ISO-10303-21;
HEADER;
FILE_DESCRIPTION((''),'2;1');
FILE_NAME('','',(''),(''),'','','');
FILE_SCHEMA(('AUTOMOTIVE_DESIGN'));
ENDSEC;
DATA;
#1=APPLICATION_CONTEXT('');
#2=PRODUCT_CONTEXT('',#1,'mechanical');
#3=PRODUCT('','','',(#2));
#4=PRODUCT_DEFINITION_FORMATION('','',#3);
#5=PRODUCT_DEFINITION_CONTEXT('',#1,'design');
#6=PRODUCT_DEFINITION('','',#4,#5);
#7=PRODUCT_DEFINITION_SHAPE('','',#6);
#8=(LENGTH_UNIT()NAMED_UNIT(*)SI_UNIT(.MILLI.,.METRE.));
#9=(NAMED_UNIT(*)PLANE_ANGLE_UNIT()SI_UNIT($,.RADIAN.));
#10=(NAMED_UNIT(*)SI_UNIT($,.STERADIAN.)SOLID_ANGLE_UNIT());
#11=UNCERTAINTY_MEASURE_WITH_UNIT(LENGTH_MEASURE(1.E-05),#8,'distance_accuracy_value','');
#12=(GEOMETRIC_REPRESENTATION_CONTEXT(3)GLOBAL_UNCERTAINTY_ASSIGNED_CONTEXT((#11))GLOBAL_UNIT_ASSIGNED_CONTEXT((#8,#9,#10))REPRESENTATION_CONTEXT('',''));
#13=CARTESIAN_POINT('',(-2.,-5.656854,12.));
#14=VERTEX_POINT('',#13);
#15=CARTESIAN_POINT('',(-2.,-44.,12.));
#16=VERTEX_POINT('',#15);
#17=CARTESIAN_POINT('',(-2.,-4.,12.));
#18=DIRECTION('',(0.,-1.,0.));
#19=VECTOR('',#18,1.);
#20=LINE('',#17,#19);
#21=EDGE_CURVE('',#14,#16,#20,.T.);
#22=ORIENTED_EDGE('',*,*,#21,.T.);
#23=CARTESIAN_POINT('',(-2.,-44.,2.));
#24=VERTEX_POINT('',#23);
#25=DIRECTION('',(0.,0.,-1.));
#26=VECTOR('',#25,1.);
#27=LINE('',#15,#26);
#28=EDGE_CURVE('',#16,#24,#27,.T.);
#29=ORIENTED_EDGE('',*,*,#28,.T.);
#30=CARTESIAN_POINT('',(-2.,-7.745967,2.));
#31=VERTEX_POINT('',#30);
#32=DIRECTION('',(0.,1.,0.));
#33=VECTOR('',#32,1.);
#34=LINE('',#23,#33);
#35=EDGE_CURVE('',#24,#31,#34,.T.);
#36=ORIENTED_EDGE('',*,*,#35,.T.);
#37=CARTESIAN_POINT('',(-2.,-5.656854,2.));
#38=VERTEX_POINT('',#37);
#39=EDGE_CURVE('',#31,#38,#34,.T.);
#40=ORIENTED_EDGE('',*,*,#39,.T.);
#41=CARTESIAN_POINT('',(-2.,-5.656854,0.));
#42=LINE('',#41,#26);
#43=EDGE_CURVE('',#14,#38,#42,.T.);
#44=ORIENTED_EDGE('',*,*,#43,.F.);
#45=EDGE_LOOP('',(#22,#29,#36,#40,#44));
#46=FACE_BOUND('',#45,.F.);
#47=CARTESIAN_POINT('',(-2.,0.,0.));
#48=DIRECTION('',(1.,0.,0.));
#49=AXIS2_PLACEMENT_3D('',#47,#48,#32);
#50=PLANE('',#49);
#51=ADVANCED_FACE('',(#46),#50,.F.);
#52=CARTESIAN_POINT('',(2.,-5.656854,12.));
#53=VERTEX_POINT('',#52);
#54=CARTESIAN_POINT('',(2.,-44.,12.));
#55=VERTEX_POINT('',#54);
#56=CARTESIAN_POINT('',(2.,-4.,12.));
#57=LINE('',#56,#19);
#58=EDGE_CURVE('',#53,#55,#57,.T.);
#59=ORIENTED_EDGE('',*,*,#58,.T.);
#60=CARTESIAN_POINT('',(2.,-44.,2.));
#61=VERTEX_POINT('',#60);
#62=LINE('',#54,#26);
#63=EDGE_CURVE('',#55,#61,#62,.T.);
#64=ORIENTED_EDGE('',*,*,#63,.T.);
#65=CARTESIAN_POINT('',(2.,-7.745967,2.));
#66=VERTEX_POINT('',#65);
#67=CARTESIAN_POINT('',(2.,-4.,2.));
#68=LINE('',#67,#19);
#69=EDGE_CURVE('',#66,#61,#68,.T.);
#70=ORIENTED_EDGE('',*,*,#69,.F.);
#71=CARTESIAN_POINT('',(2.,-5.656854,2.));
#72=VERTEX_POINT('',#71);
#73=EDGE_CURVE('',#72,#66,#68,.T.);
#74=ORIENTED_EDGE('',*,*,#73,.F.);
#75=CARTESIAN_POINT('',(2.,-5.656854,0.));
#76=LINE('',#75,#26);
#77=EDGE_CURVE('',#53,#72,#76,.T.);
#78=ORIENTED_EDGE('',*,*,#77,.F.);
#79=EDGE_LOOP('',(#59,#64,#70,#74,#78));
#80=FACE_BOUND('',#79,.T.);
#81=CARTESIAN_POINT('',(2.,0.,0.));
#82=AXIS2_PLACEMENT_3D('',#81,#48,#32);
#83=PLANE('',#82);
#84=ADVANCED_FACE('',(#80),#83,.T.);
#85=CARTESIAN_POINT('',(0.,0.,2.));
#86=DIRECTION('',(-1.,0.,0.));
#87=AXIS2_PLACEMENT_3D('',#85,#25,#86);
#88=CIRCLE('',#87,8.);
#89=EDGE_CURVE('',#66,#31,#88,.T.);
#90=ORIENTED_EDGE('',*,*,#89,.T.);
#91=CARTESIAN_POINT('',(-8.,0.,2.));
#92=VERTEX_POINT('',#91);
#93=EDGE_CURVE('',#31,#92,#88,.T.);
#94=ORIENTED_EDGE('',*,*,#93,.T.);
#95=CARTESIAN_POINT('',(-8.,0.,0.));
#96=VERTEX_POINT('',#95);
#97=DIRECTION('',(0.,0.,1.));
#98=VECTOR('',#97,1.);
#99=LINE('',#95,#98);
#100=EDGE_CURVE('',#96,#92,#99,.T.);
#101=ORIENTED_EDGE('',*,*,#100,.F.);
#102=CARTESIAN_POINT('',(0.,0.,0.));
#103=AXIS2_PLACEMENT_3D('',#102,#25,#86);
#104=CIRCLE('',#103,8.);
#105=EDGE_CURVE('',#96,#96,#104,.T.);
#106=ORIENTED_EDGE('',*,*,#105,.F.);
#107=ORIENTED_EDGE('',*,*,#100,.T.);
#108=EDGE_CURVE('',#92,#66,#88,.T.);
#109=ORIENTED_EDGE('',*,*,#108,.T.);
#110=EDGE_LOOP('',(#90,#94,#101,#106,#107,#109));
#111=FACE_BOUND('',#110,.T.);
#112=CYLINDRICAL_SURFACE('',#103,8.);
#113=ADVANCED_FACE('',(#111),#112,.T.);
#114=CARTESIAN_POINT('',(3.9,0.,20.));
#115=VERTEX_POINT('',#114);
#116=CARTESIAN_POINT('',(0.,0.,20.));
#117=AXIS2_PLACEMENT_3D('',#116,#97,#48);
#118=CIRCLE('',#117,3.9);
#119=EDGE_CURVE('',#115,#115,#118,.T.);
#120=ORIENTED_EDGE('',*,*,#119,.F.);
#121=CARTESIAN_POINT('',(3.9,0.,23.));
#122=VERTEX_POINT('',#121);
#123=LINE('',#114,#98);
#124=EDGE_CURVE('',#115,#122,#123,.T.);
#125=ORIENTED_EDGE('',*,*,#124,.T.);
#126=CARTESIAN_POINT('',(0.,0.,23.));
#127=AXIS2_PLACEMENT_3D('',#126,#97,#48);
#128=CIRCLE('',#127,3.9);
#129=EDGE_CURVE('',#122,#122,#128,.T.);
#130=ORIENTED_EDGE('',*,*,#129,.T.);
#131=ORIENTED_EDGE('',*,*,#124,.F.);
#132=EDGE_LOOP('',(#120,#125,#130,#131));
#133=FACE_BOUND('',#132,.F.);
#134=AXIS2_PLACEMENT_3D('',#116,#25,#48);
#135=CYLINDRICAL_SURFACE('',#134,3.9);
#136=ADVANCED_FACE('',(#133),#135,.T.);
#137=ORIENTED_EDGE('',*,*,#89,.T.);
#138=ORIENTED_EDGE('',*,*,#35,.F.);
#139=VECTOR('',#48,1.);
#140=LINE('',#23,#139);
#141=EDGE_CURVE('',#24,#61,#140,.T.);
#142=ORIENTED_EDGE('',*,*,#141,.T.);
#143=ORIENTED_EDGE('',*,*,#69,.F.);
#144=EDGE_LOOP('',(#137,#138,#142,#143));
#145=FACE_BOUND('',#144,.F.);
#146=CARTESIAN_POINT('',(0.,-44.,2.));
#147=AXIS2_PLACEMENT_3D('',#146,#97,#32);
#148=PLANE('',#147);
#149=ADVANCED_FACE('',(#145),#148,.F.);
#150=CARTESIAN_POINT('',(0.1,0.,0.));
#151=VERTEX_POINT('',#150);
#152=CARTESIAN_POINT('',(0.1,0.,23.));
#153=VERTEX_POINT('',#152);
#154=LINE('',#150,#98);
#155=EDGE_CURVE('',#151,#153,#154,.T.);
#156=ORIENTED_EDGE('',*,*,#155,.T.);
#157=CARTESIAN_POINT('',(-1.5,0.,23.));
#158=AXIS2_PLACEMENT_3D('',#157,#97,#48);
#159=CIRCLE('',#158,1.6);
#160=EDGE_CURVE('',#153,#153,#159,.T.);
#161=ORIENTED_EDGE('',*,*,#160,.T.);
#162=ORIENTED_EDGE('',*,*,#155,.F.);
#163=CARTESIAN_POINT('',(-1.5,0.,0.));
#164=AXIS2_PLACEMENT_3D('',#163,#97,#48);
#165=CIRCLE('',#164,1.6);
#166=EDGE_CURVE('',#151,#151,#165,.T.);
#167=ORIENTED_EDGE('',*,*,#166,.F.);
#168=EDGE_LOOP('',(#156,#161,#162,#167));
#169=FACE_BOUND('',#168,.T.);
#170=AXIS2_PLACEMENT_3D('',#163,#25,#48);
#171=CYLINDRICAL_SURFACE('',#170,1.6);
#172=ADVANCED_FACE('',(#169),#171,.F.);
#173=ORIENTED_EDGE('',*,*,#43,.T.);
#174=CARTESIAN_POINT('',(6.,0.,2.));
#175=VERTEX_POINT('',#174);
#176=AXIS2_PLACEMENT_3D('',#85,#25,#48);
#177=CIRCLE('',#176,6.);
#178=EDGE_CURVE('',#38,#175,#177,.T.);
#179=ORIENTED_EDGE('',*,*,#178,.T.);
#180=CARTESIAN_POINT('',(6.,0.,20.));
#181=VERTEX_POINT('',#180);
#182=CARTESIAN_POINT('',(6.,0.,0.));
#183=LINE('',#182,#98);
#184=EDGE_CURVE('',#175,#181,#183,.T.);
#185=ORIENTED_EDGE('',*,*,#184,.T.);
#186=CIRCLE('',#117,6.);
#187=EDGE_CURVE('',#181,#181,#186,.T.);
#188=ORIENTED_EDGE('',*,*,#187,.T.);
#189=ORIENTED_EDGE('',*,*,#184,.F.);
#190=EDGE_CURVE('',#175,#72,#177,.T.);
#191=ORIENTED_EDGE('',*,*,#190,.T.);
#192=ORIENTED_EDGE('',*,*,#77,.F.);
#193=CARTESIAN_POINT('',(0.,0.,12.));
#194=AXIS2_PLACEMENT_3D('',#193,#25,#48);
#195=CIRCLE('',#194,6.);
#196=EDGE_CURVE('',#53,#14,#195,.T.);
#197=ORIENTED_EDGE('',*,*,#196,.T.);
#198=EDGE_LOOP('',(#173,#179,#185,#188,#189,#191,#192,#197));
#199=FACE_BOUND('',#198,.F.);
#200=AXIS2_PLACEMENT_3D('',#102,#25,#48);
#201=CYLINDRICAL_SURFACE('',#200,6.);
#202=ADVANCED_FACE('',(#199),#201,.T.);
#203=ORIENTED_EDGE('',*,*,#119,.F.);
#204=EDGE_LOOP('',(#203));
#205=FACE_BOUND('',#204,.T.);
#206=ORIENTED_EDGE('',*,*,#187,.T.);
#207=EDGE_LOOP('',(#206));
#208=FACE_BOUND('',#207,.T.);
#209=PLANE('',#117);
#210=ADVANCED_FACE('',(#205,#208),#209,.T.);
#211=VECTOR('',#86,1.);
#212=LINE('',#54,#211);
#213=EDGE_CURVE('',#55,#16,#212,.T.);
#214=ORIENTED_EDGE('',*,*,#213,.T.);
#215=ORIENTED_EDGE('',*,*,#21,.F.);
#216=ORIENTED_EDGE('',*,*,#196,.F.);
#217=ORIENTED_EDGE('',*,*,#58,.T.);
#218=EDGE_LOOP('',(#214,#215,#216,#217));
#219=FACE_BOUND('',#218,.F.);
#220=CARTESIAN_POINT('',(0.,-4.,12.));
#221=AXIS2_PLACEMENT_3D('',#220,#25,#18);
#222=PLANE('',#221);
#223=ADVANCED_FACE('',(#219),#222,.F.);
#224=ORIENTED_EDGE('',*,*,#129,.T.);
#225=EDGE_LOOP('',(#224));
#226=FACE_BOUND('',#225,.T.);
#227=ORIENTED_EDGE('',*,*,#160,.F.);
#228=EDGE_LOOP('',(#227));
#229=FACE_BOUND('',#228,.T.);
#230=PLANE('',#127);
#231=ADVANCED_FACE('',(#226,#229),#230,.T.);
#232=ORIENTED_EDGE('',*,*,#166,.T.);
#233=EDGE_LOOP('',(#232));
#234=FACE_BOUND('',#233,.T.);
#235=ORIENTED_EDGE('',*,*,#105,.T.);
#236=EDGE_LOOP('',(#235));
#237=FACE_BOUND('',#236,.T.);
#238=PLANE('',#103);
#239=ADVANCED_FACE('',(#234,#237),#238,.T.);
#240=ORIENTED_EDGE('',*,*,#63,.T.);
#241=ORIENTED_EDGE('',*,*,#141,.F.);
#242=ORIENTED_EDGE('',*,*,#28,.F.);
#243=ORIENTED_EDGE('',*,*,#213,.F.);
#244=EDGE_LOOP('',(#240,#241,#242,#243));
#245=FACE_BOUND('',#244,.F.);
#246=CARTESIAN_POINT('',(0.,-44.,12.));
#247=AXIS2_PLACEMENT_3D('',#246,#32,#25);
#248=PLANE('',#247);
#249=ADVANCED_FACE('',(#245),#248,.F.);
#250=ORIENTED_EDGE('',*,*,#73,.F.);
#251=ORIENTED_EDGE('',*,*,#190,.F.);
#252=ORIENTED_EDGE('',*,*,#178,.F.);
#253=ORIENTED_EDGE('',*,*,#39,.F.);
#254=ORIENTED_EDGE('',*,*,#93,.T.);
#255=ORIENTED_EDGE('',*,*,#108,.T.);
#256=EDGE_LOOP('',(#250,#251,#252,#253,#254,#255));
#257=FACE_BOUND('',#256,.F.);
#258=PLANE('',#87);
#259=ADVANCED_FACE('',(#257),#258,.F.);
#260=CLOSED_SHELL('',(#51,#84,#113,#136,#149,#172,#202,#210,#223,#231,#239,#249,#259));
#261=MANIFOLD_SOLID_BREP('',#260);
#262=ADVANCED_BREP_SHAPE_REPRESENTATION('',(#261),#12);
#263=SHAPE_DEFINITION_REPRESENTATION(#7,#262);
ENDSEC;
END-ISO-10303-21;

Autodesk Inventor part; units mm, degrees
ref_plane "YZ Plane" through (0, 0, 0) normal (1, 0, 0) x (0, 1, 0)
ref_plane "XZ Plane" through (0, 0, 0) normal (0, 1, 0) x (-1, 0, 0)
ref_plane "XY Plane" through (0, 0, 0) normal (0, 0, 1) x (1, 0, 0)
sketch "Sketch1" plane through (0, 0, 0) normal (0, 0, 1) x (1, 0, 0)
  circle A0 centre (0, 0) radius 6
  circle A1 centre (-1.5, 0) radius 1.6
  dimension "d1" = 12
  dimension "d8" = 3.2
  dimension "d9" = 1.5
extrude "Extrusion1" add sketch "Sketch1" along normal blind 20
sketch "Sketch2" plane through (0, 0, 20) normal (0, 0, 1) x (1, 0, 0)
  circle A0 centre (0, 0) radius 3.9
  circle A1 centre (-1.5, 0) radius 1.6 projected
  dimension "d4" = 7.8
extrude "Extrusion2" add sketch "Sketch2" along normal blind 3
sketch "Sketch3" plane through (0, 0, 0) normal (0, 0, -1) x (-1, 0, 0)
  circle A0 centre (0, 0) radius 8
  circle A1 centre (0, 0) radius 6 projected
  dimension "d10" = 16
extrude "Extrusion3" add sketch "Sketch3" against normal blind 2
sketch "Sketch5" plane through (0, 0, 0) normal (1, 0, 0) x (0, 1, 0)
  line L0 (-44, 2) -> (-4, 2)
  line L1 (-4, 2) -> (-4, 12)
  line L2 (-4, 12) -> (-44, 12)
  line L3 (-44, 12) -> (-44, 2)
  line L4 (-8, 0) -> (8, 0) projected
  line L5 (-8, 0) -> (-8, 2) projected
  point P0 (0, 0)
  dimension "d22" = 40
  dimension "d24" = 10
  dimension "d25" = 4
  dimension "d26" = 0
extrude "Extrusion5" add sketch "Sketch5" along normal mid plane 4
properties part number "spacer off center"
